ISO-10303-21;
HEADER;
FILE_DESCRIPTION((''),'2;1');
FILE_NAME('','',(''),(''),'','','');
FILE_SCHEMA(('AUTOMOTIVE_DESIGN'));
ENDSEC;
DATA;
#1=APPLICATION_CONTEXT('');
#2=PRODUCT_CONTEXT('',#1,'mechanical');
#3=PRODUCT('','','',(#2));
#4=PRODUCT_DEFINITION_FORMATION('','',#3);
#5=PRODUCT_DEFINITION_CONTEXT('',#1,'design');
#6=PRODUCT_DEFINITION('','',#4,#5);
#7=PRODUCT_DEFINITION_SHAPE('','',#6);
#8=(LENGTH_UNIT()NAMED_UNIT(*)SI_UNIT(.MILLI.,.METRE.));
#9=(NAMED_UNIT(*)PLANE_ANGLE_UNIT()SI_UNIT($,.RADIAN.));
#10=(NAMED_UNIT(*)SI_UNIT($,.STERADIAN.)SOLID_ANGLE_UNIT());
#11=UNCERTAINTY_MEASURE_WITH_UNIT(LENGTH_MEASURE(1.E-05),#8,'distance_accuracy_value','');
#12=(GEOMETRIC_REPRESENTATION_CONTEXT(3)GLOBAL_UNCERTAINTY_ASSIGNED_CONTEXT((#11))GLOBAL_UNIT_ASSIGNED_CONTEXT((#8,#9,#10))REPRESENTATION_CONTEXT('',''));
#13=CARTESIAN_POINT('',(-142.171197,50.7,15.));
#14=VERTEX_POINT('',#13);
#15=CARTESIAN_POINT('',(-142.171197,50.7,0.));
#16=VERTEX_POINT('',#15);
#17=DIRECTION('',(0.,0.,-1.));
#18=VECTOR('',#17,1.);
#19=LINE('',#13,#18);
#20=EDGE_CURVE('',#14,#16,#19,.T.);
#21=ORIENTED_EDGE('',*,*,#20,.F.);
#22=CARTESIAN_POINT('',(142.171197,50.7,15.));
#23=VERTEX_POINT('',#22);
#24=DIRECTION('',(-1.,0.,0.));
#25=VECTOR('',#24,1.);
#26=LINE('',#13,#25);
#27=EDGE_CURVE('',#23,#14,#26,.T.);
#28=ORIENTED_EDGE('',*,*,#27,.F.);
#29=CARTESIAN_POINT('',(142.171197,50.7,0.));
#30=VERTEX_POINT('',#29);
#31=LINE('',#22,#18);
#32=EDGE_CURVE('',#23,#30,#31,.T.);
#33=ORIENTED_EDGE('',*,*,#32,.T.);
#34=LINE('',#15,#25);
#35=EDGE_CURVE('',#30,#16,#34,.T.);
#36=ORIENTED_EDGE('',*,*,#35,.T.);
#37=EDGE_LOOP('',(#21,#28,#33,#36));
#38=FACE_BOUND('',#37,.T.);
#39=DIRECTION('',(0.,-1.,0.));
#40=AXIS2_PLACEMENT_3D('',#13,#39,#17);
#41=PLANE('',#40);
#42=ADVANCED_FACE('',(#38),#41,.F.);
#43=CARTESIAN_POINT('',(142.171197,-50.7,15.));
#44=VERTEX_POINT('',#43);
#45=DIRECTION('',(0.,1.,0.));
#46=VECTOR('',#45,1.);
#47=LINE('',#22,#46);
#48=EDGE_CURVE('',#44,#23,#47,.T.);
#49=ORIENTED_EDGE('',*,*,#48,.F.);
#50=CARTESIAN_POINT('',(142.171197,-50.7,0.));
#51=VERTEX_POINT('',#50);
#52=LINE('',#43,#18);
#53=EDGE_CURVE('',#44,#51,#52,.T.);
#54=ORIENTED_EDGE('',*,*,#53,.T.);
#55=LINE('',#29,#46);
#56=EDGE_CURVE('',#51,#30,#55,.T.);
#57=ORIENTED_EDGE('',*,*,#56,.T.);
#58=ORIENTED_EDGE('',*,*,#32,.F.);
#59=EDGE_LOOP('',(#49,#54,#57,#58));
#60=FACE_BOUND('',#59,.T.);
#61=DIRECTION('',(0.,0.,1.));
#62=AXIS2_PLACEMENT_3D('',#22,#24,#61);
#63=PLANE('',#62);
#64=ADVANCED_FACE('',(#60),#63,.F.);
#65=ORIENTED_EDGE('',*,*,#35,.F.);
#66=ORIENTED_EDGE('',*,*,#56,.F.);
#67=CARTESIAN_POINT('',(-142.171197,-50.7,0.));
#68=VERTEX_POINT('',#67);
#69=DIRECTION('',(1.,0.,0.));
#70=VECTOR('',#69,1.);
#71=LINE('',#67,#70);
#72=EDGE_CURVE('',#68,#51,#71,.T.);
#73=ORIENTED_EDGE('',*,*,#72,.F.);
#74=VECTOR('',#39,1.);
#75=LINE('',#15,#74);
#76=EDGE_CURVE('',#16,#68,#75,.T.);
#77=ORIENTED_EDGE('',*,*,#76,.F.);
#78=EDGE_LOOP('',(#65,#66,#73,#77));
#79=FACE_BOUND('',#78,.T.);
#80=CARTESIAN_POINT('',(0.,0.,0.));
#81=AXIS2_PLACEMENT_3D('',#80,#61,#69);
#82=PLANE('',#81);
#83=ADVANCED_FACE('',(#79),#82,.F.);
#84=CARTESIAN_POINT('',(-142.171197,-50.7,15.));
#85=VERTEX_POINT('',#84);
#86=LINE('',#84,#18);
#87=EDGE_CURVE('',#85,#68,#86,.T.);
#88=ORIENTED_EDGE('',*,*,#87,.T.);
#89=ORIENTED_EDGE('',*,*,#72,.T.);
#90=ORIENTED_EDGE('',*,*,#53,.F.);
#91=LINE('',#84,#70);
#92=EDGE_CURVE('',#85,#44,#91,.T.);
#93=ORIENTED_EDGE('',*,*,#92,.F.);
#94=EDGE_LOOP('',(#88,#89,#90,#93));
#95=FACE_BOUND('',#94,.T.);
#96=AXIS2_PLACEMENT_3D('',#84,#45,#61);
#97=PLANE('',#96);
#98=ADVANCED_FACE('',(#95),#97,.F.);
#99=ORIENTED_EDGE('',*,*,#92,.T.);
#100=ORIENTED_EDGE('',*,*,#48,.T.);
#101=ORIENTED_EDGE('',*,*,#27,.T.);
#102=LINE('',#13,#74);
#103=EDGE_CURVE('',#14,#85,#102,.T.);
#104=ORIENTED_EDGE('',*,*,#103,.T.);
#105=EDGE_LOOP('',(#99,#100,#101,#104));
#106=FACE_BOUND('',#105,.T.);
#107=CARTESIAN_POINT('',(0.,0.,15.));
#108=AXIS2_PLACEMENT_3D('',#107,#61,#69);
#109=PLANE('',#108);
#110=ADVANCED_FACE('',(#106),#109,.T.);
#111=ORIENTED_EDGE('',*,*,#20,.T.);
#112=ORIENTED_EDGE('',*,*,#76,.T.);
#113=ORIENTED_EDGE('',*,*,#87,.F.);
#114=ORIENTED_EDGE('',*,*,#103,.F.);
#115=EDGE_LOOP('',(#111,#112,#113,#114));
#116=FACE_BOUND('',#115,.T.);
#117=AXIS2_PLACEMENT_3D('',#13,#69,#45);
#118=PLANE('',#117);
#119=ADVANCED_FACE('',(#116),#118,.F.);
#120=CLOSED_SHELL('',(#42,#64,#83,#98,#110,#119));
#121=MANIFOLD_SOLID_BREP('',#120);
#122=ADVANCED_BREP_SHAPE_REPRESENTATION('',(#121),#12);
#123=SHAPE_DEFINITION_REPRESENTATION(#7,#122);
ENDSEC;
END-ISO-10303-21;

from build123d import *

# Parameters (mm, degrees)
ESQUISSE1_W        = 284.342394654
ESQUISSE1_H        = 101.399999226
BOSS_EXTRU_1_DEPTH = 15


with BuildPart() as part:
    # Esquisse1 → Boss.-Extru.1 (new body)
    with BuildSketch(Plane.XY):
        Rectangle(ESQUISSE1_W, ESQUISSE1_H)
    extrude(amount=BOSS_EXTRU_1_DEPTH)


solid = part.part
